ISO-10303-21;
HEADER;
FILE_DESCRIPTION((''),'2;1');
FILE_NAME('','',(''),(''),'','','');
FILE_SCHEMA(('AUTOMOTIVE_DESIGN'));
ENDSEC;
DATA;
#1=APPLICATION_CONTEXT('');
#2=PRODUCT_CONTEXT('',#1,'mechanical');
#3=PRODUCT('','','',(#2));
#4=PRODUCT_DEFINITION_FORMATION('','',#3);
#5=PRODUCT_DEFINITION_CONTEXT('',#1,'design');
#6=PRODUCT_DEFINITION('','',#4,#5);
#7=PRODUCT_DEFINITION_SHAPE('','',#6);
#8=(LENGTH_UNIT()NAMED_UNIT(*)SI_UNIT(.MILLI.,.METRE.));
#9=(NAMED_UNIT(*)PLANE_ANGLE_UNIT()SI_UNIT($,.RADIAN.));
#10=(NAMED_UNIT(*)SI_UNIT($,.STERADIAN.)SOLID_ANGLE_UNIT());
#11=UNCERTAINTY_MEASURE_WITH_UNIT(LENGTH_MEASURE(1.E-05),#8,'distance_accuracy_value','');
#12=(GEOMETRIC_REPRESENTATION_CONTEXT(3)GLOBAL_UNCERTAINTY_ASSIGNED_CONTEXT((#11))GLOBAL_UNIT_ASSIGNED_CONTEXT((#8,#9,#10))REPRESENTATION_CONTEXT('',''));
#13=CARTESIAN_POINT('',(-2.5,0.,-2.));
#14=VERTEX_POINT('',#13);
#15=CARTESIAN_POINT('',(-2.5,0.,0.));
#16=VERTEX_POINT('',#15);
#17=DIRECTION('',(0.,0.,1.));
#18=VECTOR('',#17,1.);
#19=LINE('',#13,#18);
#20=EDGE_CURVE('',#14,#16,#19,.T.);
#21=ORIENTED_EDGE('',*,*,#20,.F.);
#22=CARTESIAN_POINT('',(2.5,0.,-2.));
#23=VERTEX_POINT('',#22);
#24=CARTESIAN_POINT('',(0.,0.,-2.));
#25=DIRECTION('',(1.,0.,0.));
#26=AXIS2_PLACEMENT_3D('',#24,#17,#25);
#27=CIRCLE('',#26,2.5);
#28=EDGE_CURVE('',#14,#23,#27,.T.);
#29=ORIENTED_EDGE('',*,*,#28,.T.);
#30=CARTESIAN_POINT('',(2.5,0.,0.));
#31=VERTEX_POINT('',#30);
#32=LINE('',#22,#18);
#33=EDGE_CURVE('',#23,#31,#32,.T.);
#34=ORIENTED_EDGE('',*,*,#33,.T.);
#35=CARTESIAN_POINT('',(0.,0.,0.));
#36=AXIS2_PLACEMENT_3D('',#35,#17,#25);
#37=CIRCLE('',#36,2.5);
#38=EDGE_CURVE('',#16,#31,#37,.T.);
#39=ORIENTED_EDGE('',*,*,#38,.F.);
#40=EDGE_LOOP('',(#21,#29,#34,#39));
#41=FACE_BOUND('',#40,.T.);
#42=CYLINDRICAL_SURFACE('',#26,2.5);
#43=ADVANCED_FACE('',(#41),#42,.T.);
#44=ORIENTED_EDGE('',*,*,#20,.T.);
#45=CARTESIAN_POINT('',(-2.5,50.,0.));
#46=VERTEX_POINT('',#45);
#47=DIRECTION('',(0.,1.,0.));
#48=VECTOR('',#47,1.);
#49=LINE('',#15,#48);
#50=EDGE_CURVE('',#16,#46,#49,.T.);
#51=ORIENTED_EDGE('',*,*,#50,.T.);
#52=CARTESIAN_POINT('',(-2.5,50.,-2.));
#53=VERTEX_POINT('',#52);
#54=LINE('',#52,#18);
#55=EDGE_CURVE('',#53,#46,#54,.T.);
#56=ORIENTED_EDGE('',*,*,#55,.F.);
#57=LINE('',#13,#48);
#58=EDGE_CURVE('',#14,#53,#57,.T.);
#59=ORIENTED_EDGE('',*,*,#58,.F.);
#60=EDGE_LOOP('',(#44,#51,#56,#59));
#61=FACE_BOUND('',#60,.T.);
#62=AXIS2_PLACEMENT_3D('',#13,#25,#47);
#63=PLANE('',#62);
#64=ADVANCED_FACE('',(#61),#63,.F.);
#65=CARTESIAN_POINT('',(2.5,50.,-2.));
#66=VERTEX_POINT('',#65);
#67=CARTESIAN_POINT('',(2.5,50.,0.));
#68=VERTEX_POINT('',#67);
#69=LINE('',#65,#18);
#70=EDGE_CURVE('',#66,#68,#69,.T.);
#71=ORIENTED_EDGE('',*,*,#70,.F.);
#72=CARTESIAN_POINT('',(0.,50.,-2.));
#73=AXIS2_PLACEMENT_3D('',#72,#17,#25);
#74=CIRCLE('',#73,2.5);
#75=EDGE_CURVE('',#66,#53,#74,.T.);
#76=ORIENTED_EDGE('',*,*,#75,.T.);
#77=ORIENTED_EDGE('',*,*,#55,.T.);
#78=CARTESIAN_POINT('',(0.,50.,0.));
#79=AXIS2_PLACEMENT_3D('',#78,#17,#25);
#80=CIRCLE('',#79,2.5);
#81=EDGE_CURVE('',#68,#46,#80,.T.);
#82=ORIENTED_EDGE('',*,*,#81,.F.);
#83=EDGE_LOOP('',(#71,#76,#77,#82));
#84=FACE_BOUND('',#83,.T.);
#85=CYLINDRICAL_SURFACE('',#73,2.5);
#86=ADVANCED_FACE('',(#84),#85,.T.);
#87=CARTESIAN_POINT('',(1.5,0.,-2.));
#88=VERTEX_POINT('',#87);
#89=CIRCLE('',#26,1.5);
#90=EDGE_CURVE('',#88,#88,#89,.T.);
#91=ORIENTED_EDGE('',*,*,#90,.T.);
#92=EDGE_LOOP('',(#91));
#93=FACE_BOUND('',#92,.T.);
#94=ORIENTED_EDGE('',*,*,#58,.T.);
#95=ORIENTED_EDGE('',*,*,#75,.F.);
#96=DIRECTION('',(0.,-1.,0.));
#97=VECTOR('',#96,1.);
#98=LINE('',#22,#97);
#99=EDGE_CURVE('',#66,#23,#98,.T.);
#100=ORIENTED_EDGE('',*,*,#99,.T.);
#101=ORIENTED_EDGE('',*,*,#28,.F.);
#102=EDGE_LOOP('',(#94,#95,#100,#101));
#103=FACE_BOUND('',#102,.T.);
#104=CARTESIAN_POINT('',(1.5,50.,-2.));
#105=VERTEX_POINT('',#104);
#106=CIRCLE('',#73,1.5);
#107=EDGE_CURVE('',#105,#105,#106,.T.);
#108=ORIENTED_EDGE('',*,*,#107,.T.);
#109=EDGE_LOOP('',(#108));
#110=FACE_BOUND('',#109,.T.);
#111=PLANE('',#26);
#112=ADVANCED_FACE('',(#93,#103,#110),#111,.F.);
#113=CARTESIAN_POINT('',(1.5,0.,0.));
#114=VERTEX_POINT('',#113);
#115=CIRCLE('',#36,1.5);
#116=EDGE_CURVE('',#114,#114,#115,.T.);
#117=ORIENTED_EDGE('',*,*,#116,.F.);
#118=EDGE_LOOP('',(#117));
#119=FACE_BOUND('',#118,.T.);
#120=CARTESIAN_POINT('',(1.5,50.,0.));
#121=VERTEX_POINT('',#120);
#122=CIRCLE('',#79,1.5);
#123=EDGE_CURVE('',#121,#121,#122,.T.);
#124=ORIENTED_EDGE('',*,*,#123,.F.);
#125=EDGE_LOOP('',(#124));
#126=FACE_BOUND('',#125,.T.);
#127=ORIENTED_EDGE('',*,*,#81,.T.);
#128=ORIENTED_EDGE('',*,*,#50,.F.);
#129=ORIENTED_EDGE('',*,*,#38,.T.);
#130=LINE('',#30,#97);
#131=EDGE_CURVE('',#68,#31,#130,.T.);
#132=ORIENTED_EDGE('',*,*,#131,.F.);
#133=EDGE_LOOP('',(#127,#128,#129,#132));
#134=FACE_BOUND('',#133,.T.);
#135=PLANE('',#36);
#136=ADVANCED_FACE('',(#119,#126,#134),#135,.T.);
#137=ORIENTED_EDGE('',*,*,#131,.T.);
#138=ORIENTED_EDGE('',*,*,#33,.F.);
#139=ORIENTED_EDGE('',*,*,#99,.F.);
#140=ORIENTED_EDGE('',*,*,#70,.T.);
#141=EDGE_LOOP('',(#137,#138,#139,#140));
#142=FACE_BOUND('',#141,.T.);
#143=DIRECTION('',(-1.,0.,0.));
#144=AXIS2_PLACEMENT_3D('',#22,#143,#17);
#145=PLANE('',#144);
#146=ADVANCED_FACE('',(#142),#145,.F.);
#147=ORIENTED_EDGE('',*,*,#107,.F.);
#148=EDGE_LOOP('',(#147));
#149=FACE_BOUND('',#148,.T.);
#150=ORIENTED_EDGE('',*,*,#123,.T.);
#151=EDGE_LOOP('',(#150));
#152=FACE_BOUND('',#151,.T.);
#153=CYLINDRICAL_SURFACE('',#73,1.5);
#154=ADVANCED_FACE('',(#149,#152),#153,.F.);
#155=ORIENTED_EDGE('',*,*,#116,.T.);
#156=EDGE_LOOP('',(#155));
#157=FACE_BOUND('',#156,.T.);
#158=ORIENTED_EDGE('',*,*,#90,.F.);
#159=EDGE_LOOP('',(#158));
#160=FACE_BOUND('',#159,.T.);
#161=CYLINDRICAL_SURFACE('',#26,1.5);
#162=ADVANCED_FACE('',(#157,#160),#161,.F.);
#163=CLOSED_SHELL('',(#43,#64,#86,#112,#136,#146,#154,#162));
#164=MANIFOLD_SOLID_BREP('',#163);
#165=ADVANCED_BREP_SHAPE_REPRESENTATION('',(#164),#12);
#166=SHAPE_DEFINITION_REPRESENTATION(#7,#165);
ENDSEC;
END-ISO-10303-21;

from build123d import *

# Parameters (mm, degrees)
Y_KSEKLIK_EKSTR_ZYON1_DEPTH = 2
IZIM3_R                     = 1.5
KES_EKSTR_ZYON1_DEPTH       = 3
IZIM5_R                     = 1.5
KES_EKSTR_ZYON2_DEPTH       = 2


with BuildPart() as part:
    # Çizim1 → Yükseklik-Ekstrüzyon1 (new body)
    with BuildSketch(Plane.XY):
        with BuildLine():
            Line((-2.5, 50), (-2.5, 0))
            ThreePointArc((-2.5, 0), (0, -2.5), (2.5, 0))
            Line((2.5, 0), (2.5, 50))
            ThreePointArc((2.5, 50), (0, 52.5), (-2.5, 50))
        make_face()
    extrude(amount=-Y_KSEKLIK_EKSTR_ZYON1_DEPTH)

    # Çizim3 → Kes-Ekstrüzyon1 (cut, through all)
    with BuildSketch(Plane.XY):
        Circle(IZIM3_R)
    extrude(amount=-KES_EKSTR_ZYON1_DEPTH, mode=Mode.SUBTRACT)

    # Çizim5 → Kes-Ekstrüzyon2 (cut)
    with BuildSketch(Plane.XY):
        with Locations((0, 50)):
            Circle(IZIM5_R)
    extrude(amount=-KES_EKSTR_ZYON2_DEPTH, mode=Mode.SUBTRACT)


solid = part.part
